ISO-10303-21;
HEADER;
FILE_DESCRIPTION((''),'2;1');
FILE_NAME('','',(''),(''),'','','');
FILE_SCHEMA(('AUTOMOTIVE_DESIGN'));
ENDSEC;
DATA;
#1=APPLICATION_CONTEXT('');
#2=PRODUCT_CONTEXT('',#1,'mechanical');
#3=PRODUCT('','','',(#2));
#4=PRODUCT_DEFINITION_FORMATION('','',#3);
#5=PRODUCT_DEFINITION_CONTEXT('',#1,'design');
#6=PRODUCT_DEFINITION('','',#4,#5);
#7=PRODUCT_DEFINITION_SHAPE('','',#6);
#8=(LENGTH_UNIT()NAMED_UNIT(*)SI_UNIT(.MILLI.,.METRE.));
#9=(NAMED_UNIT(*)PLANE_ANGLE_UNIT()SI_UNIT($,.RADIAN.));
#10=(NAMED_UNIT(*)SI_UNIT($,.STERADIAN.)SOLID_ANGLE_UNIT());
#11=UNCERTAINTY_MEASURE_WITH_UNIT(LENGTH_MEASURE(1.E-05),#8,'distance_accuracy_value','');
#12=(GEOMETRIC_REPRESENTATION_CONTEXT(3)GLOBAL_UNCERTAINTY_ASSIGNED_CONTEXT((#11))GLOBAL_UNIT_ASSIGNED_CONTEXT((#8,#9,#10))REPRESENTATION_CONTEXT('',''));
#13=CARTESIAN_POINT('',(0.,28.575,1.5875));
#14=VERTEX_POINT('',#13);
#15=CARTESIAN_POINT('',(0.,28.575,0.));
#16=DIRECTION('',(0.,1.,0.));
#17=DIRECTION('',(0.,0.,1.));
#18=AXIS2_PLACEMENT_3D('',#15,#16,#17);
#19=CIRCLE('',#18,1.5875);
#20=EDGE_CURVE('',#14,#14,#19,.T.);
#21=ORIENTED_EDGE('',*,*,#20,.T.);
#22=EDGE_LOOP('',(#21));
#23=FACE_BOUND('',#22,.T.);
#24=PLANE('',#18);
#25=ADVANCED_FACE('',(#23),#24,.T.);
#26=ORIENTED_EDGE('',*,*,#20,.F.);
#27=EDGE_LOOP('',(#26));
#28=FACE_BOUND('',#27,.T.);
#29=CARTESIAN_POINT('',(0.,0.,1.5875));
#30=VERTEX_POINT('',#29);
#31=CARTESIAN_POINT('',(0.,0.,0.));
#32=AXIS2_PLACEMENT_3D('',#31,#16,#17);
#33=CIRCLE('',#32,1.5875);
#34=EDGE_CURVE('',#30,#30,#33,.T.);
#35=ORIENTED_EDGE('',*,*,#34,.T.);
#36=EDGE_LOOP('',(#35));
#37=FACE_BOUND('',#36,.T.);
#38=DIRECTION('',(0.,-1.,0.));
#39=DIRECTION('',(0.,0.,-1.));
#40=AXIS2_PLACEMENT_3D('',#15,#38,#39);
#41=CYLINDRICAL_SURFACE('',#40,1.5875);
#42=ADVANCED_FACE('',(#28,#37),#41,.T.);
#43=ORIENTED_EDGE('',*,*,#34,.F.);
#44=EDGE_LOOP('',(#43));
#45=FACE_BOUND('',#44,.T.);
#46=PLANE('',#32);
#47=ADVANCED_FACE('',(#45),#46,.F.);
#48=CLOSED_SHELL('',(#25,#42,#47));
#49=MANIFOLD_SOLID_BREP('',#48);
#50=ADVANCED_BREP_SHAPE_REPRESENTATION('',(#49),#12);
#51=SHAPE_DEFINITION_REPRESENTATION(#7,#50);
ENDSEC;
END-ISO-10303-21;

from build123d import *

# Parameters (mm, degrees)
SKETCH1_R           = 1.5875
BOSS_EXTRUDE1_DEPTH = 28.575


with BuildPart() as part:
    # Sketch1 → Boss-Extrude1 (new body)
    with BuildSketch(Plane(origin=(0, 0, 0), x_dir=(1, 0, 0), z_dir=(0, 1, 0))):
        Circle(SKETCH1_R)
    extrude(amount=BOSS_EXTRUDE1_DEPTH)


solid = part.part
